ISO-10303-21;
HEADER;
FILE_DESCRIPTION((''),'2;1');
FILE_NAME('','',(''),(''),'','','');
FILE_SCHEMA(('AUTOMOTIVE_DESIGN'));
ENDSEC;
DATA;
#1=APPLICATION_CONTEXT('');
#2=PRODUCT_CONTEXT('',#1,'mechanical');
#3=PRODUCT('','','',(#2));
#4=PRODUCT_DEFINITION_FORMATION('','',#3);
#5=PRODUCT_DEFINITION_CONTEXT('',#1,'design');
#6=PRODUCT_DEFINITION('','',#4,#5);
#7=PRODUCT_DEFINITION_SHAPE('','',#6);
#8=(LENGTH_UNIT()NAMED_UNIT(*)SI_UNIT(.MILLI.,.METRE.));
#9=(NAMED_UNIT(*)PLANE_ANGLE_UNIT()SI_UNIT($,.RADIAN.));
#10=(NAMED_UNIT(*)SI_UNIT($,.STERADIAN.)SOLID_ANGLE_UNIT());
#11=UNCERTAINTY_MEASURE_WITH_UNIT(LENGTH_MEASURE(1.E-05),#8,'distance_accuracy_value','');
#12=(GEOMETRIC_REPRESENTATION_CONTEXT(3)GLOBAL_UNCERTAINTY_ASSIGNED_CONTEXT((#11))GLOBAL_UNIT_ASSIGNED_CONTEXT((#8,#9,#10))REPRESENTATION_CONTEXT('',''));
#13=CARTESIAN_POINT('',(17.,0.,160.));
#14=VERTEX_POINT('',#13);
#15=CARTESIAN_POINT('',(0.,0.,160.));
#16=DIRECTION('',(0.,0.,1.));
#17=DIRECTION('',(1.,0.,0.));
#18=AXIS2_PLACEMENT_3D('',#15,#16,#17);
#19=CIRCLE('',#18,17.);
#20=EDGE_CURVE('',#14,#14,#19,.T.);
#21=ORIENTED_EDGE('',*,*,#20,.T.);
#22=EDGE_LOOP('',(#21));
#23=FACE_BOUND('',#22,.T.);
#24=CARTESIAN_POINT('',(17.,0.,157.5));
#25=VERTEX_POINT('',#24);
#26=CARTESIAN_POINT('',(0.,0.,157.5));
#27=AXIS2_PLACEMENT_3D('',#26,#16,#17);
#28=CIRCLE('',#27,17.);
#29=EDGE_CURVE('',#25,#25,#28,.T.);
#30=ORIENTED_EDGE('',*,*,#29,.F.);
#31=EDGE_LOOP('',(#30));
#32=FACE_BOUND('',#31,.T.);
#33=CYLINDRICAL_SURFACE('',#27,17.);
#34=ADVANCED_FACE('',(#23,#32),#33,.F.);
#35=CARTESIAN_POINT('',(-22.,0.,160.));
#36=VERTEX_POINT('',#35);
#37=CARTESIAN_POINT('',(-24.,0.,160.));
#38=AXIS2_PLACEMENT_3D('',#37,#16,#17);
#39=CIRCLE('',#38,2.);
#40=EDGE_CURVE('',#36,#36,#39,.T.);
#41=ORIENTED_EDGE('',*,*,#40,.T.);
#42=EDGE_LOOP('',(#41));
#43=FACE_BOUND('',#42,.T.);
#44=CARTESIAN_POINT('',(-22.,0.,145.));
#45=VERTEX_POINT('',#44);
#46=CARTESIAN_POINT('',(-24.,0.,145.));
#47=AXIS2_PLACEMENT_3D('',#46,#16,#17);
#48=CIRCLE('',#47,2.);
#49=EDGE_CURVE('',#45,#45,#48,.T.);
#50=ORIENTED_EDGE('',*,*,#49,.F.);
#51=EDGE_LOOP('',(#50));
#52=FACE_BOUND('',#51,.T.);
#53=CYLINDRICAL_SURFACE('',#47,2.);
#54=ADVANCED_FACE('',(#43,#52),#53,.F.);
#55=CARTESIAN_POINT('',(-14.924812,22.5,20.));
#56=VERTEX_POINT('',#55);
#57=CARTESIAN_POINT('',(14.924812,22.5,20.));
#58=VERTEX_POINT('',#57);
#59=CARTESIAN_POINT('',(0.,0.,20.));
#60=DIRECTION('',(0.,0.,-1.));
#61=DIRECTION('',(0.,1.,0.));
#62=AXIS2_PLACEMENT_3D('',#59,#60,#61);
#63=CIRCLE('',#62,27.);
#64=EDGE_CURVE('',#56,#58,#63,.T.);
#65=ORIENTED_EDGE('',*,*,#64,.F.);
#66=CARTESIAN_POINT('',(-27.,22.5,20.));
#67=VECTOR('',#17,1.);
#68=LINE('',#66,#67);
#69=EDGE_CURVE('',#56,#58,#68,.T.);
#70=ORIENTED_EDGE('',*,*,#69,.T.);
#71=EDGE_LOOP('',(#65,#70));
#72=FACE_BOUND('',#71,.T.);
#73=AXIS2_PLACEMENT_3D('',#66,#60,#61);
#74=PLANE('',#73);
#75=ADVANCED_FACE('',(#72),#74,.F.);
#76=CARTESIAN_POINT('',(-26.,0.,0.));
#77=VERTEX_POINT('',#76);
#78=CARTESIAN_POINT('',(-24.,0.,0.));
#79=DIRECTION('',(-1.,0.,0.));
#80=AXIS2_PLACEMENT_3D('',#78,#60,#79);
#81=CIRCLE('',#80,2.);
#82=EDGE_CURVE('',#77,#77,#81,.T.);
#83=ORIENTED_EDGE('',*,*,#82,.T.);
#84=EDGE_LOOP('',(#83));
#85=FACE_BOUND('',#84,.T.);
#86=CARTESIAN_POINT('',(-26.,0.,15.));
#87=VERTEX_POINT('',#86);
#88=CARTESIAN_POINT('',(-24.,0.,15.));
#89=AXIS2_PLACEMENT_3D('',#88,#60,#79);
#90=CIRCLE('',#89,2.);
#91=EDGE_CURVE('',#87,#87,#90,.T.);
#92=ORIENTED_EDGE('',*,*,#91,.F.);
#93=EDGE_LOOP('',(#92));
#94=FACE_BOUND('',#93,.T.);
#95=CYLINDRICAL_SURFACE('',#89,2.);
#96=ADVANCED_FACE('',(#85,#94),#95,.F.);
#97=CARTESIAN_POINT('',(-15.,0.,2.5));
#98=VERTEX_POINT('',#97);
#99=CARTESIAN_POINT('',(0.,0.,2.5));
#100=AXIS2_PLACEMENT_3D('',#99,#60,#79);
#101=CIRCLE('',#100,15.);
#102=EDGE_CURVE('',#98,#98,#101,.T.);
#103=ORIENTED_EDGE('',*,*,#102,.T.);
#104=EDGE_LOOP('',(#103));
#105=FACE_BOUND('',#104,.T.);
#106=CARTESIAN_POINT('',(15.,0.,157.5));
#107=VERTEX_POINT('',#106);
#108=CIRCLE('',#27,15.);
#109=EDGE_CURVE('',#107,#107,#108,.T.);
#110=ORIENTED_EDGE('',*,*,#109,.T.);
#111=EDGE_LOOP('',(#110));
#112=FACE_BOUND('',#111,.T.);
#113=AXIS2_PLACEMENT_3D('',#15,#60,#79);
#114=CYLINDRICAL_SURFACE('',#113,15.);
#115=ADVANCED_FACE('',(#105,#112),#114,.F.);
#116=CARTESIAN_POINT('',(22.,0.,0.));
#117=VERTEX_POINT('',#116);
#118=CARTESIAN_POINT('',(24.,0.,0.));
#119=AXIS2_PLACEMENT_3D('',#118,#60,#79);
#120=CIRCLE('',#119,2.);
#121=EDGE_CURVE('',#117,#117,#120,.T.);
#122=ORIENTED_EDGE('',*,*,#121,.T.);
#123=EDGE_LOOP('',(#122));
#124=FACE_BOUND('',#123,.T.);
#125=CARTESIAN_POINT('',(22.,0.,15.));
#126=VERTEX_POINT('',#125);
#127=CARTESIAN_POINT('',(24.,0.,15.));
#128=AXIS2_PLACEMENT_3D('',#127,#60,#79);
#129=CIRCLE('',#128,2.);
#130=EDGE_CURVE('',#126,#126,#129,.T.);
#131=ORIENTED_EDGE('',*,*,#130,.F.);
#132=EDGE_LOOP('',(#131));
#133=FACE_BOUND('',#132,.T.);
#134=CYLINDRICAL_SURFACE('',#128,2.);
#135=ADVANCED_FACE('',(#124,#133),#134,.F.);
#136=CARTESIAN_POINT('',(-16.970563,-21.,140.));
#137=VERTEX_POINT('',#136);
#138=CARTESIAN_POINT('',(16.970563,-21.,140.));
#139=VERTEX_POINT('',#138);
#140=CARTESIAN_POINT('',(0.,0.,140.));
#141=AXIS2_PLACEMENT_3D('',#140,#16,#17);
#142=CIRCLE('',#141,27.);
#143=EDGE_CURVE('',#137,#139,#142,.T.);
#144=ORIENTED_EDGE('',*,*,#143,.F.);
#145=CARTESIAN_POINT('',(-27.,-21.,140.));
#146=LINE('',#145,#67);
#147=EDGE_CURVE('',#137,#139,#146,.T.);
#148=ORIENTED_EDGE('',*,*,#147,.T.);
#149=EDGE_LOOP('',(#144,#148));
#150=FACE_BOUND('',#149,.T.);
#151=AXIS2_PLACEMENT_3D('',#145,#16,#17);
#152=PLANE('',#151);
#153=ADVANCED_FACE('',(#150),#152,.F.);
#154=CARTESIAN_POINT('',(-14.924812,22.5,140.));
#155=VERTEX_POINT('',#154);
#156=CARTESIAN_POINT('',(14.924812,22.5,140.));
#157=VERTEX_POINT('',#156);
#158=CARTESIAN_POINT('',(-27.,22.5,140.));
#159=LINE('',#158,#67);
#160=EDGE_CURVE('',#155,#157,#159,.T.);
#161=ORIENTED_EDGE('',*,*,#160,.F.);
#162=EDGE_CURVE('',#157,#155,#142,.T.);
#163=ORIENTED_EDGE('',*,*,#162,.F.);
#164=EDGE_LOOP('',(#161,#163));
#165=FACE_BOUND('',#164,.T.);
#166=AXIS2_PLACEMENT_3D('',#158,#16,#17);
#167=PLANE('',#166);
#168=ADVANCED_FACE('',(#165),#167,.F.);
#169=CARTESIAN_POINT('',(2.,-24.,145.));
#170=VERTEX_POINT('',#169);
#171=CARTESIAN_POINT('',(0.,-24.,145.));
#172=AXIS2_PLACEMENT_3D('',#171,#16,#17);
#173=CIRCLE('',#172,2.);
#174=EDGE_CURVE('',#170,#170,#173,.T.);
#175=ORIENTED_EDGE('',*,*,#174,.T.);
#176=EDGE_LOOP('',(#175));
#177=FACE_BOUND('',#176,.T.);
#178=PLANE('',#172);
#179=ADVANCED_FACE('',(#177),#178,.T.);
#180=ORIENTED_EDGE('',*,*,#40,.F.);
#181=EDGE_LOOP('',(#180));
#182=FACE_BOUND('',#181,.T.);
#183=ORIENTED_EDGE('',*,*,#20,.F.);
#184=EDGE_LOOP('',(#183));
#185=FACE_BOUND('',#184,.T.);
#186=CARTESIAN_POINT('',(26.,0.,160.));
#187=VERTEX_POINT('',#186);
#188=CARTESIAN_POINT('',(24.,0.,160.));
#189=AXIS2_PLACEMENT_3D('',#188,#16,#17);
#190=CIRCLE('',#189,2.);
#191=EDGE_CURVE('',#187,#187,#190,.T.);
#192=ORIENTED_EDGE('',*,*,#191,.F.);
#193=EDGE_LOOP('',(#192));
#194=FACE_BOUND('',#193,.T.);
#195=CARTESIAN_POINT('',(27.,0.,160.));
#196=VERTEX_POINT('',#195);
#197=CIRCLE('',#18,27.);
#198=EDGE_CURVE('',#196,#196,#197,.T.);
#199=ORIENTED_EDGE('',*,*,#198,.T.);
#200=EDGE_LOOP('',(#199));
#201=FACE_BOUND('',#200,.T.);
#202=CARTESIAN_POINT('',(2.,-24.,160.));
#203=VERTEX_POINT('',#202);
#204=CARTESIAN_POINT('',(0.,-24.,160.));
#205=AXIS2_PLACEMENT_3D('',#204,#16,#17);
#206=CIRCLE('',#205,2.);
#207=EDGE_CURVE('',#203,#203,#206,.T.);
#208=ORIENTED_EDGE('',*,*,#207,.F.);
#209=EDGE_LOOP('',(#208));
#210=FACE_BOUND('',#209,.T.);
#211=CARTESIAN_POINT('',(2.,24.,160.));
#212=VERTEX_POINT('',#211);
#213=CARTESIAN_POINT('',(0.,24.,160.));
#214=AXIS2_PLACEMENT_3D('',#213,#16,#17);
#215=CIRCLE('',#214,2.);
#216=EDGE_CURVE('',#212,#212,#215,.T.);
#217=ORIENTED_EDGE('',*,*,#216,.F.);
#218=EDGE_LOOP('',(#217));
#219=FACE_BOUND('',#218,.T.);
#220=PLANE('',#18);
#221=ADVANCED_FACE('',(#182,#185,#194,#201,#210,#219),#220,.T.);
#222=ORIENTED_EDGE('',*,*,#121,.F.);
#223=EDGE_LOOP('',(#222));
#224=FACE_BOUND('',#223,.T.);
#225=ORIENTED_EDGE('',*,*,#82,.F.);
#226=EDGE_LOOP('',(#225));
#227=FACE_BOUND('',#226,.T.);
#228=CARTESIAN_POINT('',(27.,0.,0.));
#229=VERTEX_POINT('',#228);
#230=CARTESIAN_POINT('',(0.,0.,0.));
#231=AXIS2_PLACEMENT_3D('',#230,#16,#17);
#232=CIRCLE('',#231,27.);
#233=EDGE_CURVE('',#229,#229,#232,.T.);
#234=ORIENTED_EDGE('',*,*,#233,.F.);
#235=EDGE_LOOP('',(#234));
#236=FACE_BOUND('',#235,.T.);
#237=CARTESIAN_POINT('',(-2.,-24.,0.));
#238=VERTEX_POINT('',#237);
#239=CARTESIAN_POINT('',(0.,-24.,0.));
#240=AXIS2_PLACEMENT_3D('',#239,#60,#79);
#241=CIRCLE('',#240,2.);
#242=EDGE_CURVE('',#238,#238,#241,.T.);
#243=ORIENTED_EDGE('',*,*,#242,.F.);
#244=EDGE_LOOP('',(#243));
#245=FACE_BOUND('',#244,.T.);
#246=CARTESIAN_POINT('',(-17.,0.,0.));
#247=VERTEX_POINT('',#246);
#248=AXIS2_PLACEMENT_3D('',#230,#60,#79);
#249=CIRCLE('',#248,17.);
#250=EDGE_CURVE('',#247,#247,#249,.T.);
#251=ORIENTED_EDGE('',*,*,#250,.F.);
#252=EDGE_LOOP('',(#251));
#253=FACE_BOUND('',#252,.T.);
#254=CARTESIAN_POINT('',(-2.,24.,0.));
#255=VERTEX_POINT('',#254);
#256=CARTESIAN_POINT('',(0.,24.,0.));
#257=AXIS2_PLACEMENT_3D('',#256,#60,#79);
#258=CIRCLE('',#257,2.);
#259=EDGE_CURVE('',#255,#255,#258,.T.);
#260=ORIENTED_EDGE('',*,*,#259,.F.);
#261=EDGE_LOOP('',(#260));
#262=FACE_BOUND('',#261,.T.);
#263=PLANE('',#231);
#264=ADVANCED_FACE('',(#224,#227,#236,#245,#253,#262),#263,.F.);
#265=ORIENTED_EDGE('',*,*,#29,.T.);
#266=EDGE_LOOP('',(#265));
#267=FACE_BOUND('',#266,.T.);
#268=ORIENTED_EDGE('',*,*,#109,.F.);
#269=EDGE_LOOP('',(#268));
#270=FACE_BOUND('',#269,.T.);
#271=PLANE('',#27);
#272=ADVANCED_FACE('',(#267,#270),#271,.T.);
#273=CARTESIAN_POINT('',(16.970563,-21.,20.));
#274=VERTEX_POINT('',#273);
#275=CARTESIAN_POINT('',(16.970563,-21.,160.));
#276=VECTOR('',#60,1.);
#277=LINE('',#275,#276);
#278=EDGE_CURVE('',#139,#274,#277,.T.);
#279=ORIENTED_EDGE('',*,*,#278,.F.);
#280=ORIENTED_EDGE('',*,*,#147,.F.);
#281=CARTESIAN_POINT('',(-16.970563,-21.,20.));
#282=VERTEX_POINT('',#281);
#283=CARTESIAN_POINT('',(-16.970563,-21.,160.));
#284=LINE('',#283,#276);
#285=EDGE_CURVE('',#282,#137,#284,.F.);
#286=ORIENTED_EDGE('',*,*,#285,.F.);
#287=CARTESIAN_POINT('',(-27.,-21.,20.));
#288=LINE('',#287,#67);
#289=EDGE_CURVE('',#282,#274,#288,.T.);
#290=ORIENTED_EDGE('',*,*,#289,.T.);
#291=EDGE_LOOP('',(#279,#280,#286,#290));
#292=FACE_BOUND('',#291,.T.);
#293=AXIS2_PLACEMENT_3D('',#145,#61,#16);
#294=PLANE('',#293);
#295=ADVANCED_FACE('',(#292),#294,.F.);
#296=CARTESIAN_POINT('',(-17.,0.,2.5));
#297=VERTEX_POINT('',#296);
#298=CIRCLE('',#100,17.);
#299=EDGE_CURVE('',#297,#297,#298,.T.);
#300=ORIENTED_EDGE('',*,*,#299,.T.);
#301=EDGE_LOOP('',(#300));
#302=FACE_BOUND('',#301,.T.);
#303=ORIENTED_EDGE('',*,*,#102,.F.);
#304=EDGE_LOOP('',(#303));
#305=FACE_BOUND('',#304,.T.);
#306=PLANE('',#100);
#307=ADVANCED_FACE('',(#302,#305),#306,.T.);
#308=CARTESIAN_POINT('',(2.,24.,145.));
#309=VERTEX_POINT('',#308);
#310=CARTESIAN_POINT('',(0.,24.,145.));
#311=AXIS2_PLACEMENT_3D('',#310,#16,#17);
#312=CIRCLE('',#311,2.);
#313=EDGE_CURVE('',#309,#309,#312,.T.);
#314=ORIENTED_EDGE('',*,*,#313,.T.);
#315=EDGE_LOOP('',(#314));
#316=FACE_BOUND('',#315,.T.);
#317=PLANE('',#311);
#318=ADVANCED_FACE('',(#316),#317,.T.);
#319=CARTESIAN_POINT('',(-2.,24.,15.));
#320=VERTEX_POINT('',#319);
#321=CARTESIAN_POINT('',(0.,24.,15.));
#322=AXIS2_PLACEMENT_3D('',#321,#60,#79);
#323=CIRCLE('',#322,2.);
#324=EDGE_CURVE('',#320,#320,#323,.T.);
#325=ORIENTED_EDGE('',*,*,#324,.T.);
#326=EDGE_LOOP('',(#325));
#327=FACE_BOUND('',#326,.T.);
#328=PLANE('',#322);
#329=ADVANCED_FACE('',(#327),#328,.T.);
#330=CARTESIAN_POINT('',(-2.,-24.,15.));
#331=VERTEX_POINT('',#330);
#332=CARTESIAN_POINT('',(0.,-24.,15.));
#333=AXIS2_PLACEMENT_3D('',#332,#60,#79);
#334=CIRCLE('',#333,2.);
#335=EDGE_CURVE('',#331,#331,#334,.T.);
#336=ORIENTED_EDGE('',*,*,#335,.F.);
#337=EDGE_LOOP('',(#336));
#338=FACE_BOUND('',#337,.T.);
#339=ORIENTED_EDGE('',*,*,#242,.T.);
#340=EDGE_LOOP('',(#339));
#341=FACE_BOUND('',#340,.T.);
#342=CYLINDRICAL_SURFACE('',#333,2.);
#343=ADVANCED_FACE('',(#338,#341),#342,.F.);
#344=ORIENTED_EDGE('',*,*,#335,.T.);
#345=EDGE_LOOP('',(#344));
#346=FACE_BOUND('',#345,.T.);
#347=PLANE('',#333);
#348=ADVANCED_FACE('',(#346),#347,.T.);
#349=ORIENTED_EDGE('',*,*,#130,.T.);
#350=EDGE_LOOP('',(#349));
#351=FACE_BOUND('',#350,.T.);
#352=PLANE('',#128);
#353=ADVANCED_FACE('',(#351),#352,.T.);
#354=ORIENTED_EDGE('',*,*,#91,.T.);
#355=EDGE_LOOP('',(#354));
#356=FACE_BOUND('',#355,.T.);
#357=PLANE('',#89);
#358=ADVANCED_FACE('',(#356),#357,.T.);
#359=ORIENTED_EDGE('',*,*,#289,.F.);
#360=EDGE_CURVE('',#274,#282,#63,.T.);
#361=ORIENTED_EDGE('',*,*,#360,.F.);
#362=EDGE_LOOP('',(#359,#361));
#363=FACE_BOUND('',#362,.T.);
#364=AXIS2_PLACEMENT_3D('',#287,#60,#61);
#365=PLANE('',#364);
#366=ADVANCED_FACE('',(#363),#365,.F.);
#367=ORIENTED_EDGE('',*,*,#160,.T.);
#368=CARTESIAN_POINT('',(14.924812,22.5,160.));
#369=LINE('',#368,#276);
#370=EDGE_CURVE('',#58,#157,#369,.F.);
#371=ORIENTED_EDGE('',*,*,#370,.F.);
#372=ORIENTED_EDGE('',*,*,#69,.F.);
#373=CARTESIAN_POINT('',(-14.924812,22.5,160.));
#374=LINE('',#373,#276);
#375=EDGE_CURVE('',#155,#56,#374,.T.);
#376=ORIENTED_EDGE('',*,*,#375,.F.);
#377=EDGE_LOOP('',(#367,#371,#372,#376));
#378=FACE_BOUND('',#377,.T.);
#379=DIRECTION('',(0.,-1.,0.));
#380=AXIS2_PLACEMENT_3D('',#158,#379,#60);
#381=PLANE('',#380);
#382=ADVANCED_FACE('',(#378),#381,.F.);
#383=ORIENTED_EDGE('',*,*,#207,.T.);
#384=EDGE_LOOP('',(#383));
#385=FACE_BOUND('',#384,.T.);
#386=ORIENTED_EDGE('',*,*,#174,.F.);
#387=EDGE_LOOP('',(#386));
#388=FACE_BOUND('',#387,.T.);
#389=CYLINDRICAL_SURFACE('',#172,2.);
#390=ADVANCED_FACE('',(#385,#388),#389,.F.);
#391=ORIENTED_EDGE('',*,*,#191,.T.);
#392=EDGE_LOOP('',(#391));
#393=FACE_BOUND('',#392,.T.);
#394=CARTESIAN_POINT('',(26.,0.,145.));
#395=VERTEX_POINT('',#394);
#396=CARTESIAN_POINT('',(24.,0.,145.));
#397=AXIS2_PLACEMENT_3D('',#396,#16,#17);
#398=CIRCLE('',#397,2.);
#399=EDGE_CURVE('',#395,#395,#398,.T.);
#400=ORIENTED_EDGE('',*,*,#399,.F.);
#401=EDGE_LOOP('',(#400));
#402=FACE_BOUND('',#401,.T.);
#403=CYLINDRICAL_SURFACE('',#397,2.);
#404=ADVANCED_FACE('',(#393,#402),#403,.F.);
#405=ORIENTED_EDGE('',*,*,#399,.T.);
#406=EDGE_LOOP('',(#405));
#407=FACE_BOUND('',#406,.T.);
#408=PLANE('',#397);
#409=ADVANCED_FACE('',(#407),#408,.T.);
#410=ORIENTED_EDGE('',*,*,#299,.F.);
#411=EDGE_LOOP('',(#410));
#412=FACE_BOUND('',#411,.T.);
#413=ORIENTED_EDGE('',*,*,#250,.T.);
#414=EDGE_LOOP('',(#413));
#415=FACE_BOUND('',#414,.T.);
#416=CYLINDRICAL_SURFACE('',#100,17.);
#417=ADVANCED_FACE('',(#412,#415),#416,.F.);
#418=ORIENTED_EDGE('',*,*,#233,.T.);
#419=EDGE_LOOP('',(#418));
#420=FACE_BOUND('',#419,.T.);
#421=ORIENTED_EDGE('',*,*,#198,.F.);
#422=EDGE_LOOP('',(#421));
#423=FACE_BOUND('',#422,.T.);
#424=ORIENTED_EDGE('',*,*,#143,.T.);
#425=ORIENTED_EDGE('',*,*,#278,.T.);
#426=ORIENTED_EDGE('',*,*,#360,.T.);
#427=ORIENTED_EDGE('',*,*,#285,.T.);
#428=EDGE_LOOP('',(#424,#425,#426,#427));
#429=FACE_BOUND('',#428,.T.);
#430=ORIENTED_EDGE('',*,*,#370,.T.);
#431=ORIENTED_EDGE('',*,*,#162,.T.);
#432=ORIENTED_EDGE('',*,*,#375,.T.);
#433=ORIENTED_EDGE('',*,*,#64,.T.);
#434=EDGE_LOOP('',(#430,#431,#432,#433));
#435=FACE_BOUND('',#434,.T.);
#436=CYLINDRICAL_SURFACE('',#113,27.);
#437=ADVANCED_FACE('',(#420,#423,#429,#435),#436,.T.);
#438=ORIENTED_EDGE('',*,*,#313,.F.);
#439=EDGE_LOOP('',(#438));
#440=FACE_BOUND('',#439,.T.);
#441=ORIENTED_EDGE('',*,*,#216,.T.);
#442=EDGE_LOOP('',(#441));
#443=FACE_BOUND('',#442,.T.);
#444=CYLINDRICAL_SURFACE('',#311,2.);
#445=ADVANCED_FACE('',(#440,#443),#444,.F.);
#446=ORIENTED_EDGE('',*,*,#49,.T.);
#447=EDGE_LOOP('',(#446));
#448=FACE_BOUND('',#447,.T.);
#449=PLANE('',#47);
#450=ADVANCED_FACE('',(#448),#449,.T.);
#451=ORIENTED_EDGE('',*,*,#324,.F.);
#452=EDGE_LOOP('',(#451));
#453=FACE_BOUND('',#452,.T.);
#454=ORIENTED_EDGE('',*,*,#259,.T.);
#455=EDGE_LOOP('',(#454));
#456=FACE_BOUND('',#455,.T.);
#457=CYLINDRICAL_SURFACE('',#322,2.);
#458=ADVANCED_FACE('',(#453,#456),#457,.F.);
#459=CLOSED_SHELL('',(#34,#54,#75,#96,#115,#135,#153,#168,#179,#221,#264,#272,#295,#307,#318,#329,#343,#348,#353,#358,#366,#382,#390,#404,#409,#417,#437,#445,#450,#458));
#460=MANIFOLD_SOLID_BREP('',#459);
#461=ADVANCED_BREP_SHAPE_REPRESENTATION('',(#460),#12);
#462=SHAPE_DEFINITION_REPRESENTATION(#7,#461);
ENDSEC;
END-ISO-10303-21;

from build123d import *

# Parameters (mm, degrees)
ESQUISSE1_R           = 27
ESQUISSE1_R_2         = 15
EXTRUSION1_DEPTH      = 160
ESQUISSE2_R           = 2
EXTRUSION2_DEPTH      = 15
ESQUISSE3_R           = 2
EXTRUSION3_DEPTH      = 15
ESQUISSE4_R           = 17
ESQUISSE4_R_2         = 15
EXTRUSION4_DEPTH      = 2.5
ESQUISSE5_R           = 17
ESQUISSE5_R_2         = 15
EXTRUSION5_DEPTH      = 2.5
ESQUISSE6_W           = 120
ESQUISSE6_H           = 4.5
ESQUISSE6_H_2         = 6
EXTRUSION6_DEPTH      = 28
EXTRUSION6_DEPTH_BACK = 28


with BuildPart() as part:
    # Esquisse1 → Extrusion1 (new body)
    with BuildSketch(Plane.XY):
        Circle(ESQUISSE1_R)
        Circle(ESQUISSE1_R_2, mode=Mode.SUBTRACT)
    extrude(amount=EXTRUSION1_DEPTH)

    # Esquisse2 → Extrusion2 (cut)
    with BuildSketch(Plane.XY.offset(160)):
        with Locations((0, 24)):
            Circle(ESQUISSE2_R)
        with Locations((24, 0)):
            Circle(ESQUISSE2_R)
        with Locations((0, -24)):
            Circle(ESQUISSE2_R)
        with Locations((-24, 0)):
            Circle(ESQUISSE2_R)
    extrude(amount=-EXTRUSION2_DEPTH, mode=Mode.SUBTRACT)

    # Esquisse3 → Extrusion3 (cut)
    with BuildSketch(Plane(origin=(0, 0, 0), x_dir=(-1, 0, 0), z_dir=(0, 0, -1))):
        with Locations((0, 24)):
            Circle(ESQUISSE3_R)
        with Locations((24, 0)):
            Circle(ESQUISSE3_R)
        with Locations((0, -24)):
            Circle(ESQUISSE3_R)
        with Locations((-24, 0)):
            Circle(ESQUISSE3_R)
    extrude(amount=-EXTRUSION3_DEPTH, mode=Mode.SUBTRACT)

    # Esquisse4 → Extrusion4 (cut)
    with BuildSketch(Plane.XY.offset(160)):
        Circle(ESQUISSE4_R)
        Circle(ESQUISSE4_R_2, mode=Mode.SUBTRACT)
    extrude(amount=-EXTRUSION4_DEPTH, mode=Mode.SUBTRACT)

    # Esquisse5 → Extrusion5 (cut)
    with BuildSketch(Plane(origin=(0, 0, 0), x_dir=(-1, 0, 0), z_dir=(0, 0, -1))):
        Circle(ESQUISSE5_R)
        Circle(ESQUISSE5_R_2, mode=Mode.SUBTRACT)
    extrude(amount=-EXTRUSION5_DEPTH, mode=Mode.SUBTRACT)

    # Esquisse6 → Extrusion6 (cut, two sides)
    with BuildSketch(Plane(origin=(0, 0, 0), x_dir=(0, 0, -1), z_dir=(1, 0, 0))) as extrusion6_sk:
        with Locations((-80, 24.75)):
            Rectangle(ESQUISSE6_W, ESQUISSE6_H)
        with Locations((-80, -24)):
            Rectangle(ESQUISSE6_W, ESQUISSE6_H_2)
    extrude(amount=EXTRUSION6_DEPTH, mode=Mode.SUBTRACT)
    extrude(extrusion6_sk.sketch, amount=-EXTRUSION6_DEPTH_BACK, mode=Mode.SUBTRACT)


solid = part.part
